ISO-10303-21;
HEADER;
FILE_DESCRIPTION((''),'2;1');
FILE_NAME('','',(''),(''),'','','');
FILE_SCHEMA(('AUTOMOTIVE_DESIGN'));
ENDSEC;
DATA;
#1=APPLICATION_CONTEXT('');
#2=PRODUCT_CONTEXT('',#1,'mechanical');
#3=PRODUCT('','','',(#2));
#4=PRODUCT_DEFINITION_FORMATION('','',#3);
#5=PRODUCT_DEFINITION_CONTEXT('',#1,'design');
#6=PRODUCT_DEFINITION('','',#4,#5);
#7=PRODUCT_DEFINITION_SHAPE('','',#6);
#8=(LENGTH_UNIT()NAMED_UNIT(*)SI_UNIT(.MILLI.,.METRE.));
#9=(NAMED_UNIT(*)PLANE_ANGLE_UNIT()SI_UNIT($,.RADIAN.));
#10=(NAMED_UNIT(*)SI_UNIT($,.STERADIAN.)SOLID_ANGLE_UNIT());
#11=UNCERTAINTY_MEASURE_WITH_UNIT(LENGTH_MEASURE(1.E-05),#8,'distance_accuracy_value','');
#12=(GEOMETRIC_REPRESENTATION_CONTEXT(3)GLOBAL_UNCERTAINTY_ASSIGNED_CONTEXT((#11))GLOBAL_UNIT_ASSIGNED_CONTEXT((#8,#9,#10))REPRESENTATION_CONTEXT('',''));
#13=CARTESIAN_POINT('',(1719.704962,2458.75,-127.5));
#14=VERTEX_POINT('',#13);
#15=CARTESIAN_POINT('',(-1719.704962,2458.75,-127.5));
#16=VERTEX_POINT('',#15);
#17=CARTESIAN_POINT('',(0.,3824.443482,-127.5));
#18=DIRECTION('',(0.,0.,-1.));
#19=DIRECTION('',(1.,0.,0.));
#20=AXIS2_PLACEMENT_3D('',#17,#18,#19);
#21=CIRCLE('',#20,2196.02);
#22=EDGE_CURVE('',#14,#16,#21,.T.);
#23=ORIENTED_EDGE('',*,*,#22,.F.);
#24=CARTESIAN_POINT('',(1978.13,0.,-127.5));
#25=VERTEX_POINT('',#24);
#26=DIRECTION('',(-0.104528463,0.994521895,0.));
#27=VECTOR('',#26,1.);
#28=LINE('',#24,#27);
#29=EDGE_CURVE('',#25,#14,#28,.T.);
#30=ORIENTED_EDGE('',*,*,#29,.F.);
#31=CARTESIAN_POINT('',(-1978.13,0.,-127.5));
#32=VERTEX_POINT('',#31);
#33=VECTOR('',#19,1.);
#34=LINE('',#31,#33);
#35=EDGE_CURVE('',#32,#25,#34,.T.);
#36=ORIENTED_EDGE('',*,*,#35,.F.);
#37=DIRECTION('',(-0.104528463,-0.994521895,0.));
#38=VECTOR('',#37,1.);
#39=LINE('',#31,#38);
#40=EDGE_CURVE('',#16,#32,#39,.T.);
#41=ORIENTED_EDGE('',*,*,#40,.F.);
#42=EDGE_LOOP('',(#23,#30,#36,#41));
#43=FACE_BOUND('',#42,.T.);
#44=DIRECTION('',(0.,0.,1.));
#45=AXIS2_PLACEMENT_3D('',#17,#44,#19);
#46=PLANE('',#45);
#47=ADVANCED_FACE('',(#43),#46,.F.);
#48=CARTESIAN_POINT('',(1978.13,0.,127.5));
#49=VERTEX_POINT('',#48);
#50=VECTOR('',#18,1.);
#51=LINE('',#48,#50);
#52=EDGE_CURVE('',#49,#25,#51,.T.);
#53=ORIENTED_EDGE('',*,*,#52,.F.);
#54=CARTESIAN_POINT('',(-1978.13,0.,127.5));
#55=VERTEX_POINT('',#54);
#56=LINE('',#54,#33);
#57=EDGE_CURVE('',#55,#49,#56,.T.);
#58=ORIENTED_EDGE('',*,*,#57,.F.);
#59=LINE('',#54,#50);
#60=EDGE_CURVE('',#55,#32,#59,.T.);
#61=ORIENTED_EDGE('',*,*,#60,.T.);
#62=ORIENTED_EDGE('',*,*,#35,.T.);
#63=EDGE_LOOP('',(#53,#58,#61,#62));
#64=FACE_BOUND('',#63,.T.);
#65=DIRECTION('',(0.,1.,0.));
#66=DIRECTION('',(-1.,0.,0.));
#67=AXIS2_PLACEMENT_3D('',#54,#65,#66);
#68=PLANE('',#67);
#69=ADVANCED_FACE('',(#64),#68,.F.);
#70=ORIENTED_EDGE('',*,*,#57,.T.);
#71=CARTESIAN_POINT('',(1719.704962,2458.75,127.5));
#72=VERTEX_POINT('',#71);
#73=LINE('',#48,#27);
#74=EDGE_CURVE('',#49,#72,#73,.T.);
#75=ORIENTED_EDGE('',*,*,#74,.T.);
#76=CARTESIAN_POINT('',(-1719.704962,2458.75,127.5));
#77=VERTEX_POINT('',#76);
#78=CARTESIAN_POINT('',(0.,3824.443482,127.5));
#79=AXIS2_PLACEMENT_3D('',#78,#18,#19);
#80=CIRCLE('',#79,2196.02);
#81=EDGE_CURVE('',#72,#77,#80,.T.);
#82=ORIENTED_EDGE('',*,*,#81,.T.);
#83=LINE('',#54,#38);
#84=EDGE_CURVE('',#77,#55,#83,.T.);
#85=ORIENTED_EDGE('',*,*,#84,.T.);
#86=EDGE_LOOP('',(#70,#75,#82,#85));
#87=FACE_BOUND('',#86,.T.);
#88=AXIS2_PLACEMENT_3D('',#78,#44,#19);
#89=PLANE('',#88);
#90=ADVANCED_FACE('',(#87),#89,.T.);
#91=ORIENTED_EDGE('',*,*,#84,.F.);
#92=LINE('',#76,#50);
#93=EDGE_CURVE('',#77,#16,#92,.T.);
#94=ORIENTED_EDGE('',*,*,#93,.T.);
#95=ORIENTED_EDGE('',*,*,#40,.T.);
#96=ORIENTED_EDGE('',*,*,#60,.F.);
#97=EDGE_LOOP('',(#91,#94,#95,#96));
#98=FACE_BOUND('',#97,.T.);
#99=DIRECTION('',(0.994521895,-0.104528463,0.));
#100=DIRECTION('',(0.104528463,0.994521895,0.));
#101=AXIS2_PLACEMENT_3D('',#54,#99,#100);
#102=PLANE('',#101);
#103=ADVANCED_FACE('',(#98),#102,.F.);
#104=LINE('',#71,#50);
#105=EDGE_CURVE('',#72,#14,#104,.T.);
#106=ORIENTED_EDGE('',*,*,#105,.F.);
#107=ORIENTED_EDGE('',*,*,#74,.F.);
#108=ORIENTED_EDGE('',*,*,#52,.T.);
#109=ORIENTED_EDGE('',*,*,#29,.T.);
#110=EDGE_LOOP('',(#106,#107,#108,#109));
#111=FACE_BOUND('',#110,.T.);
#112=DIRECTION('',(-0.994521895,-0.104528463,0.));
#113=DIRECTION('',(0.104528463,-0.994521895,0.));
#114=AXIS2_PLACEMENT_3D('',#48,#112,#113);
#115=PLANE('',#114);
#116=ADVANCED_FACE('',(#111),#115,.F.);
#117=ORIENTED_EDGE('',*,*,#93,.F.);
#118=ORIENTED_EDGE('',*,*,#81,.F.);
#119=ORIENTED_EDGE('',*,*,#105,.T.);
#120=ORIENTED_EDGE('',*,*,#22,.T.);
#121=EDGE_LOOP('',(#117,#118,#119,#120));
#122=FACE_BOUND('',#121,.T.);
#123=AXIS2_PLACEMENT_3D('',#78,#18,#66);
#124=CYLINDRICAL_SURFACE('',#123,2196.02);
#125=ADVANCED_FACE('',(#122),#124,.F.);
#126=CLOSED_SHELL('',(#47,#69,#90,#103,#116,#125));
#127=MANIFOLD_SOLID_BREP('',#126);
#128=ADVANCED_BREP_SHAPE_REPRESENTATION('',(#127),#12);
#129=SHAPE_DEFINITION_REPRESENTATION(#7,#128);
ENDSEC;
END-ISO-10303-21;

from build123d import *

# Parameters (mm, degrees)
BOSS_EXTRUDE1_DEPTH = 127.5


with BuildPart() as part:
    # Sketch1 → Boss-Extrude1 (new body, symmetric)
    with BuildSketch(Plane.XY):
        with BuildLine():
            Line((-1978.13, 0), (1978.13, 0))
            Line((1978.13, 0), (1719.704961541, 2458.75))
            ThreePointArc((1719.704961541, 2458.75), (0, 1628.423481588), (-1719.704961541, 2458.75))
            Line((-1719.704961541, 2458.75), (-1978.13, 0))
        make_face()
    extrude(amount=BOSS_EXTRUDE1_DEPTH, both=True)


solid = part.part
